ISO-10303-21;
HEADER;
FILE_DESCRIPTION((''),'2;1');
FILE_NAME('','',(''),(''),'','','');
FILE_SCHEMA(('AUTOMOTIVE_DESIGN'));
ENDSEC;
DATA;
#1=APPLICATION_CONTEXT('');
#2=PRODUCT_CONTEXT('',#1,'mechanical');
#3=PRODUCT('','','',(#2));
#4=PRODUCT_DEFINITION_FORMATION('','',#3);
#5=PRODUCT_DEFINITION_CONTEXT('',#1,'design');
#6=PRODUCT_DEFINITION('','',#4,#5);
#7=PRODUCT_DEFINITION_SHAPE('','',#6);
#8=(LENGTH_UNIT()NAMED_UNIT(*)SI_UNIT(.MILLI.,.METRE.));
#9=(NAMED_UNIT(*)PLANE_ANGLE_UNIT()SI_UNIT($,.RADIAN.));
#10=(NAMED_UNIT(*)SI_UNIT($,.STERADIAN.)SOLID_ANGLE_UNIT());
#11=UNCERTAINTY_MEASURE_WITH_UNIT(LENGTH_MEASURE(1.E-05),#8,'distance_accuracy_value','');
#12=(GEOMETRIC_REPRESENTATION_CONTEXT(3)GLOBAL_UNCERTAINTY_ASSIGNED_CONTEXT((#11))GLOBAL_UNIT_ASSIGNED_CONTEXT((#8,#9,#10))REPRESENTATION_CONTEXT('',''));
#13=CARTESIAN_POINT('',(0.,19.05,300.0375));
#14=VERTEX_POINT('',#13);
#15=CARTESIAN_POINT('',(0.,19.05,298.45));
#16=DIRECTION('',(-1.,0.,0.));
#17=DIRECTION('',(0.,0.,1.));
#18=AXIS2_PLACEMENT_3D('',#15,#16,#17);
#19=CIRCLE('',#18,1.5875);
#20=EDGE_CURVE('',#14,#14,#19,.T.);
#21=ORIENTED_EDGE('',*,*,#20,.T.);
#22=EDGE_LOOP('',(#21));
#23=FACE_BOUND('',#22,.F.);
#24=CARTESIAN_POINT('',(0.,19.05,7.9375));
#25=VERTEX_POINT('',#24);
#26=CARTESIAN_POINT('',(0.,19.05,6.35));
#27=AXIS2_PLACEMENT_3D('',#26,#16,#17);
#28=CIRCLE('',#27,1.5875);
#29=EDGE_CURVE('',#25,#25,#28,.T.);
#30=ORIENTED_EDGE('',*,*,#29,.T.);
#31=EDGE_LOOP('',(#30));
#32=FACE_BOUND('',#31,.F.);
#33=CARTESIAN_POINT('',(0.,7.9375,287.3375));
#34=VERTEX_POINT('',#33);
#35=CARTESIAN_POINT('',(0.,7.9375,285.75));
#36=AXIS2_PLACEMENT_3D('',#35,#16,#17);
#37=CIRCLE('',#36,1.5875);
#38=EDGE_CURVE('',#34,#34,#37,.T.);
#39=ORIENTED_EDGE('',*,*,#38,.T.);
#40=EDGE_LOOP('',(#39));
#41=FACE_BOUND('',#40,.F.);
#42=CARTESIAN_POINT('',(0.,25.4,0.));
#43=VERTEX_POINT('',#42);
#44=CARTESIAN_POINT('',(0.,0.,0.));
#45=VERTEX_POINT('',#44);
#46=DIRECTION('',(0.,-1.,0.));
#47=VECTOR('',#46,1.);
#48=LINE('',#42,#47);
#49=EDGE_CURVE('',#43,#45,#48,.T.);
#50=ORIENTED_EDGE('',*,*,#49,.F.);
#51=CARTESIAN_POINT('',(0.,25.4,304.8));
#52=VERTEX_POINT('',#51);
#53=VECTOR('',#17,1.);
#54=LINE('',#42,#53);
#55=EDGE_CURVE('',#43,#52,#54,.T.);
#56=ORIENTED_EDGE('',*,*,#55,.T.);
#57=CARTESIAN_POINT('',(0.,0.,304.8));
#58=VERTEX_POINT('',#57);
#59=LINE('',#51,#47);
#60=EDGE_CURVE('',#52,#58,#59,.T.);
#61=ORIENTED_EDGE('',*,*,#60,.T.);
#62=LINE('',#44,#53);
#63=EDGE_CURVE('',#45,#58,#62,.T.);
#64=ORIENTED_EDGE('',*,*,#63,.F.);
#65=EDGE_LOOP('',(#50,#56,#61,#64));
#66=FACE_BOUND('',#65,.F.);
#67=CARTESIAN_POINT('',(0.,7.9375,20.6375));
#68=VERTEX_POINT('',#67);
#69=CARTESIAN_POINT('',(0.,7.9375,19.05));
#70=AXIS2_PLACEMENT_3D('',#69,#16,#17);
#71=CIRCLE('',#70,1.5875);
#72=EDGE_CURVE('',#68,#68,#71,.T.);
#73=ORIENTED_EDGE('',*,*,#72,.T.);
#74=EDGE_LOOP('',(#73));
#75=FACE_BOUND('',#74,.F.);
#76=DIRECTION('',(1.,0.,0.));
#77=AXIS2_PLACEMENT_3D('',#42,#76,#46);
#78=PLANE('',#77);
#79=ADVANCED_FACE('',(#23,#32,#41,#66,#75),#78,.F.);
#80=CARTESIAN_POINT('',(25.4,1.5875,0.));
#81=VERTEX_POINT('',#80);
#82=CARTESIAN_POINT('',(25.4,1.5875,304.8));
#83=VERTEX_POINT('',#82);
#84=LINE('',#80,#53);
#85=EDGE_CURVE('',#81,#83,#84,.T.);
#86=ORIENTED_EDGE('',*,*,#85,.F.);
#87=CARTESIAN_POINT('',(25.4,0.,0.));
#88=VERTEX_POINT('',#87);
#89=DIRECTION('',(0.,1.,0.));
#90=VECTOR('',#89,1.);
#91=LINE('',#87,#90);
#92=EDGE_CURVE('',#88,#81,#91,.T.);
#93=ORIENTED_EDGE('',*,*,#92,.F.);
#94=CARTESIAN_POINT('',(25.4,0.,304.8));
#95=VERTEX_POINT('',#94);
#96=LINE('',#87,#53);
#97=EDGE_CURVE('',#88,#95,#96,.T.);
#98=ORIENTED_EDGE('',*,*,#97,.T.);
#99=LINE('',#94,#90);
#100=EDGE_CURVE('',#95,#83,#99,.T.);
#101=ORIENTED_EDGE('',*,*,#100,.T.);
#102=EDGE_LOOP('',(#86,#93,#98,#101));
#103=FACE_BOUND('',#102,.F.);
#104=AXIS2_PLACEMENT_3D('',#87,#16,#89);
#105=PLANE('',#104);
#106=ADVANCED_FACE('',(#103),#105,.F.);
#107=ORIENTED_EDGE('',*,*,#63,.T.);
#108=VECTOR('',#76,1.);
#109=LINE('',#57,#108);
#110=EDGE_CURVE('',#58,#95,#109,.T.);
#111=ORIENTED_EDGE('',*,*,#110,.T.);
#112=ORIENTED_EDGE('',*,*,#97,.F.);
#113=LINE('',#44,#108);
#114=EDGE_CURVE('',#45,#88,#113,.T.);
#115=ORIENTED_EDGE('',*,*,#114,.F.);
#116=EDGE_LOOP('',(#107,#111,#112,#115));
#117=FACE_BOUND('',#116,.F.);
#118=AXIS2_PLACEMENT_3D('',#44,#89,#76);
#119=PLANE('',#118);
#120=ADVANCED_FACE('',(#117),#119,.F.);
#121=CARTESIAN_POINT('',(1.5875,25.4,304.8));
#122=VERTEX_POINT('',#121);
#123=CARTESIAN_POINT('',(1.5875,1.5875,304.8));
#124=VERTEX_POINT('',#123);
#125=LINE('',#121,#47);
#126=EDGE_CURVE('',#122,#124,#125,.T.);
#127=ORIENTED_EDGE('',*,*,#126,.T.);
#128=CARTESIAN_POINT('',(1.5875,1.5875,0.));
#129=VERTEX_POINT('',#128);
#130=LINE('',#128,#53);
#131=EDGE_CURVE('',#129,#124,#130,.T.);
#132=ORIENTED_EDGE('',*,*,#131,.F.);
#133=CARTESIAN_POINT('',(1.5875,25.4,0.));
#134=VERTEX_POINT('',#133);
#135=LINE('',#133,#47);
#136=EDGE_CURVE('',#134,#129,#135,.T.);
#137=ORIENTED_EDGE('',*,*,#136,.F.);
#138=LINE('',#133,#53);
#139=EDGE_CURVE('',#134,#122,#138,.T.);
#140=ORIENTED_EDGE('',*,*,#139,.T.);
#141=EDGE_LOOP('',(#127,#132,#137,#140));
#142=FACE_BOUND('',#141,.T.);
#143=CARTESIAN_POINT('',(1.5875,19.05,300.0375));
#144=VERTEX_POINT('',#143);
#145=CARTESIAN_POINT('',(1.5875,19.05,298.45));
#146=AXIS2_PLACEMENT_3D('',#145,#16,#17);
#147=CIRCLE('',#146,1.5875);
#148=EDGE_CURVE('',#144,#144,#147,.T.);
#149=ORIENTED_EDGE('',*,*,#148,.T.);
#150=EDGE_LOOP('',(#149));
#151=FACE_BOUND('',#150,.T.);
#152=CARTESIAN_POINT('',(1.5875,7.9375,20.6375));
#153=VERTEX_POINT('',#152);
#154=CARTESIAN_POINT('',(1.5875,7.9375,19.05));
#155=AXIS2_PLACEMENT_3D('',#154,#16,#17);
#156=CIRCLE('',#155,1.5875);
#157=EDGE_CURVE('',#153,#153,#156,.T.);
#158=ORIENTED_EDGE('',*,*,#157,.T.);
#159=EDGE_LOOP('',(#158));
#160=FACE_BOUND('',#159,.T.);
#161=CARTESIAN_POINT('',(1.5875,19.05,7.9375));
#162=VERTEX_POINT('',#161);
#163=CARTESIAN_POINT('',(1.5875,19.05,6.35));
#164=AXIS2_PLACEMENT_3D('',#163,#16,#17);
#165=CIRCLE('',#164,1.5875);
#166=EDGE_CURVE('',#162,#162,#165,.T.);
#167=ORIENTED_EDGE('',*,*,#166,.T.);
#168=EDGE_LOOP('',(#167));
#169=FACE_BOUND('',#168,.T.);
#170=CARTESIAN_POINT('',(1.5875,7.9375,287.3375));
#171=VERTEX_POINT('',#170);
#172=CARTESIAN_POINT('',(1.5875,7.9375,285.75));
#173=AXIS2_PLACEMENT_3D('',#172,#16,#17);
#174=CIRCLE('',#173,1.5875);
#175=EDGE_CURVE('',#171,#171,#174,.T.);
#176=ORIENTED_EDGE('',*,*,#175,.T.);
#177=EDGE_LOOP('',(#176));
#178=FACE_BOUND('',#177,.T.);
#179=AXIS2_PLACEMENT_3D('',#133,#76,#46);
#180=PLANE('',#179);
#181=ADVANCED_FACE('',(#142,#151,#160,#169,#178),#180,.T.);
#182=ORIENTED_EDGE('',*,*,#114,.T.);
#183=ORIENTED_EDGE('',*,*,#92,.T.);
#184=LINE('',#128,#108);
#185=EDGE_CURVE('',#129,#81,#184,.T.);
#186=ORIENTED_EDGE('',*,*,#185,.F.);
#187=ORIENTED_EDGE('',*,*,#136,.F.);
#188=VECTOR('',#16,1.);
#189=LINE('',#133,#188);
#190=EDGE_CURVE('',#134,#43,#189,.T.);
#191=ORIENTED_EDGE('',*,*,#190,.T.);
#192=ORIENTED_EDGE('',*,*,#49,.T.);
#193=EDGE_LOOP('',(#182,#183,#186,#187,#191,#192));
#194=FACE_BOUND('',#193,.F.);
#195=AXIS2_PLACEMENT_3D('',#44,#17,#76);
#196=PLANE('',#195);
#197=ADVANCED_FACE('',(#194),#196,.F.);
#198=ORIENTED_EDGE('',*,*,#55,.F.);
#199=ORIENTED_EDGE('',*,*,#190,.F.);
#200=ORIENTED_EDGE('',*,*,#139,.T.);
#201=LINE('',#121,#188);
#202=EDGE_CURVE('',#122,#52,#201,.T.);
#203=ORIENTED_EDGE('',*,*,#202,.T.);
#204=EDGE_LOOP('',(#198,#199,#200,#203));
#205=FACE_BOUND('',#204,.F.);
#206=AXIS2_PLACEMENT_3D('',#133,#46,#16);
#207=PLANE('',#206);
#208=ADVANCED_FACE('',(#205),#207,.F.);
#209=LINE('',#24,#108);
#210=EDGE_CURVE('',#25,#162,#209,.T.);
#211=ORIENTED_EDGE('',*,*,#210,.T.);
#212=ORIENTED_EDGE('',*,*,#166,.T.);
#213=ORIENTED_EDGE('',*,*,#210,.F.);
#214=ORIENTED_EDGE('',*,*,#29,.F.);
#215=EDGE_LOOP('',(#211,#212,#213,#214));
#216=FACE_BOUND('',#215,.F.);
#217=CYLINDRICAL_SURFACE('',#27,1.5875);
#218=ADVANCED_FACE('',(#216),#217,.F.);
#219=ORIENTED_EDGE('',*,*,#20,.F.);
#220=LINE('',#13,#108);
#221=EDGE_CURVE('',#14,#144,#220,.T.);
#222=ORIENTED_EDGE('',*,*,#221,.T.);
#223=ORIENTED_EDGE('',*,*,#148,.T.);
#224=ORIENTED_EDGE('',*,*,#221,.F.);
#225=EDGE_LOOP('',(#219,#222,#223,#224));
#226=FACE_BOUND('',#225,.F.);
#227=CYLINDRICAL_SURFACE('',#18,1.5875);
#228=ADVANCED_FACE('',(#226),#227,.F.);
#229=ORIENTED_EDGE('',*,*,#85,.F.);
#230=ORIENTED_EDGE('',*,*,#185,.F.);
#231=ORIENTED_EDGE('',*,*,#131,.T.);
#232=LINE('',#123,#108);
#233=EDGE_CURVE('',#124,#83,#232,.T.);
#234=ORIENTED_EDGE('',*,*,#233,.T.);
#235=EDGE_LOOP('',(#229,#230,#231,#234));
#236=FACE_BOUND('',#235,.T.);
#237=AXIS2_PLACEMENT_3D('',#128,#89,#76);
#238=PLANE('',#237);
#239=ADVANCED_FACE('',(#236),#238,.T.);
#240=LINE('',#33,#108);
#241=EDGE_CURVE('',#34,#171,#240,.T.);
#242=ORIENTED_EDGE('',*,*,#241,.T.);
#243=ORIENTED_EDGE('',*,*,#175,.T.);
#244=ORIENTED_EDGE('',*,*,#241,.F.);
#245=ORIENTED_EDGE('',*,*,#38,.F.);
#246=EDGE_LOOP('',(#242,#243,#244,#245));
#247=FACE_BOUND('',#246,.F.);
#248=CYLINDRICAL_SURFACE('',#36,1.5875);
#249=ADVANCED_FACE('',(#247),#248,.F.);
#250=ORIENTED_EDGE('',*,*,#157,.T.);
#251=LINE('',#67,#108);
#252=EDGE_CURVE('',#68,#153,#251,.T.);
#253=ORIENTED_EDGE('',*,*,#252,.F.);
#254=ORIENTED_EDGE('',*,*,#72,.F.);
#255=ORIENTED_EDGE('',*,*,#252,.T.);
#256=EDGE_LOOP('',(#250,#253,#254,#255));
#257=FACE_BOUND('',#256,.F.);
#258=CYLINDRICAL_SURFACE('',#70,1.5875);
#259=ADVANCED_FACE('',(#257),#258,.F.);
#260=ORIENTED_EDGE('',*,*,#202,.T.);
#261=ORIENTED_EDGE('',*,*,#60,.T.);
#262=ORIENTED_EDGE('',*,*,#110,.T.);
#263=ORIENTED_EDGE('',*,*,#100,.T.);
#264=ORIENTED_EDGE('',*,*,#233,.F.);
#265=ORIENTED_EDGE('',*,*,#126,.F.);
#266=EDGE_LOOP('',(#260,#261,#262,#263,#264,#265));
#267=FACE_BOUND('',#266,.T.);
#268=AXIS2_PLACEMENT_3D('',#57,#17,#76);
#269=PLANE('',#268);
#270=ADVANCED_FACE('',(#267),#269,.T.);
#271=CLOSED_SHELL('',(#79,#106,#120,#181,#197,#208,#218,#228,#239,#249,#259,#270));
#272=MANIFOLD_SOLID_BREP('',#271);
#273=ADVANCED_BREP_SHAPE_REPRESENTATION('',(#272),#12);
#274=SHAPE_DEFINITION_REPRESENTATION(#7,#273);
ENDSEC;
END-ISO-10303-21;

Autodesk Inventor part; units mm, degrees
ref_plane "YZ Plane" through (0, 0, 0) normal (1, 0, 0) x (0, 1, 0)
ref_plane "XZ Plane" through (0, 0, 0) normal (0, 1, 0) x (-1, 0, 0)
ref_plane "XY Plane" through (0, 0, 0) normal (0, 0, 1) x (1, 0, 0)
sketch "Sketch1" plane through (0, 0, 0) normal (0, 0, 1) x (1, 0, 0)
  line L0 (0, 0) -> (25.4, 0)
  line L1 (25.4, 0) -> (25.4, 1.5875)
  line L2 (1.5875, 25.4) -> (0, 25.4)
  line L3 (0, 25.4) -> (0, 0)
  line L4 (1.5875, 25.4) -> (1.5875, 1.5875)
  line L5 (1.5875, 1.5875) -> (25.4, 1.5875)
  dimension "d0" = 25.4
  dimension "d1" = 25.4
  dimension "d2" = 1.5875
  dimension "d3" = 1.5875
extrude "Extrusion1" add sketch "Sketch1" along normal blind 304.8
sketch "Sketch3" plane through (0, 0, 0) normal (-1, 0, 0) x (0, 0, 1)
  line L0 (304.8, 0) -> (304.8, 25.4) projected
  line L1 (0, 25.4) -> (304.8, 25.4) projected
  line L2 (0, 0) -> (304.8, 0) projected
  circle A0 centre (298.45, 19.05) radius 1.5875
  circle A1 centre (285.75, 7.9375) radius 1.5875
  line L3 (152.4, 25.4) -> (152.4, 0) construction
  circle A2 centre (6.35, 19.05) radius 1.5875
  circle A3 centre (19.05, 7.9375) radius 1.5875
  dimension "d19" = 6.35
  dimension "d20" = 6.35
  dimension "d21" = 7.9375
  dimension "d22" = 19.05
  dimension "d23" = 3.175
extrude "Extrusion4" cut sketch "Sketch3" against normal blind 25.4
equation "\"d2\" = d3"
equation "\"d20\" = d19"
properties part number "8 ball front L"
